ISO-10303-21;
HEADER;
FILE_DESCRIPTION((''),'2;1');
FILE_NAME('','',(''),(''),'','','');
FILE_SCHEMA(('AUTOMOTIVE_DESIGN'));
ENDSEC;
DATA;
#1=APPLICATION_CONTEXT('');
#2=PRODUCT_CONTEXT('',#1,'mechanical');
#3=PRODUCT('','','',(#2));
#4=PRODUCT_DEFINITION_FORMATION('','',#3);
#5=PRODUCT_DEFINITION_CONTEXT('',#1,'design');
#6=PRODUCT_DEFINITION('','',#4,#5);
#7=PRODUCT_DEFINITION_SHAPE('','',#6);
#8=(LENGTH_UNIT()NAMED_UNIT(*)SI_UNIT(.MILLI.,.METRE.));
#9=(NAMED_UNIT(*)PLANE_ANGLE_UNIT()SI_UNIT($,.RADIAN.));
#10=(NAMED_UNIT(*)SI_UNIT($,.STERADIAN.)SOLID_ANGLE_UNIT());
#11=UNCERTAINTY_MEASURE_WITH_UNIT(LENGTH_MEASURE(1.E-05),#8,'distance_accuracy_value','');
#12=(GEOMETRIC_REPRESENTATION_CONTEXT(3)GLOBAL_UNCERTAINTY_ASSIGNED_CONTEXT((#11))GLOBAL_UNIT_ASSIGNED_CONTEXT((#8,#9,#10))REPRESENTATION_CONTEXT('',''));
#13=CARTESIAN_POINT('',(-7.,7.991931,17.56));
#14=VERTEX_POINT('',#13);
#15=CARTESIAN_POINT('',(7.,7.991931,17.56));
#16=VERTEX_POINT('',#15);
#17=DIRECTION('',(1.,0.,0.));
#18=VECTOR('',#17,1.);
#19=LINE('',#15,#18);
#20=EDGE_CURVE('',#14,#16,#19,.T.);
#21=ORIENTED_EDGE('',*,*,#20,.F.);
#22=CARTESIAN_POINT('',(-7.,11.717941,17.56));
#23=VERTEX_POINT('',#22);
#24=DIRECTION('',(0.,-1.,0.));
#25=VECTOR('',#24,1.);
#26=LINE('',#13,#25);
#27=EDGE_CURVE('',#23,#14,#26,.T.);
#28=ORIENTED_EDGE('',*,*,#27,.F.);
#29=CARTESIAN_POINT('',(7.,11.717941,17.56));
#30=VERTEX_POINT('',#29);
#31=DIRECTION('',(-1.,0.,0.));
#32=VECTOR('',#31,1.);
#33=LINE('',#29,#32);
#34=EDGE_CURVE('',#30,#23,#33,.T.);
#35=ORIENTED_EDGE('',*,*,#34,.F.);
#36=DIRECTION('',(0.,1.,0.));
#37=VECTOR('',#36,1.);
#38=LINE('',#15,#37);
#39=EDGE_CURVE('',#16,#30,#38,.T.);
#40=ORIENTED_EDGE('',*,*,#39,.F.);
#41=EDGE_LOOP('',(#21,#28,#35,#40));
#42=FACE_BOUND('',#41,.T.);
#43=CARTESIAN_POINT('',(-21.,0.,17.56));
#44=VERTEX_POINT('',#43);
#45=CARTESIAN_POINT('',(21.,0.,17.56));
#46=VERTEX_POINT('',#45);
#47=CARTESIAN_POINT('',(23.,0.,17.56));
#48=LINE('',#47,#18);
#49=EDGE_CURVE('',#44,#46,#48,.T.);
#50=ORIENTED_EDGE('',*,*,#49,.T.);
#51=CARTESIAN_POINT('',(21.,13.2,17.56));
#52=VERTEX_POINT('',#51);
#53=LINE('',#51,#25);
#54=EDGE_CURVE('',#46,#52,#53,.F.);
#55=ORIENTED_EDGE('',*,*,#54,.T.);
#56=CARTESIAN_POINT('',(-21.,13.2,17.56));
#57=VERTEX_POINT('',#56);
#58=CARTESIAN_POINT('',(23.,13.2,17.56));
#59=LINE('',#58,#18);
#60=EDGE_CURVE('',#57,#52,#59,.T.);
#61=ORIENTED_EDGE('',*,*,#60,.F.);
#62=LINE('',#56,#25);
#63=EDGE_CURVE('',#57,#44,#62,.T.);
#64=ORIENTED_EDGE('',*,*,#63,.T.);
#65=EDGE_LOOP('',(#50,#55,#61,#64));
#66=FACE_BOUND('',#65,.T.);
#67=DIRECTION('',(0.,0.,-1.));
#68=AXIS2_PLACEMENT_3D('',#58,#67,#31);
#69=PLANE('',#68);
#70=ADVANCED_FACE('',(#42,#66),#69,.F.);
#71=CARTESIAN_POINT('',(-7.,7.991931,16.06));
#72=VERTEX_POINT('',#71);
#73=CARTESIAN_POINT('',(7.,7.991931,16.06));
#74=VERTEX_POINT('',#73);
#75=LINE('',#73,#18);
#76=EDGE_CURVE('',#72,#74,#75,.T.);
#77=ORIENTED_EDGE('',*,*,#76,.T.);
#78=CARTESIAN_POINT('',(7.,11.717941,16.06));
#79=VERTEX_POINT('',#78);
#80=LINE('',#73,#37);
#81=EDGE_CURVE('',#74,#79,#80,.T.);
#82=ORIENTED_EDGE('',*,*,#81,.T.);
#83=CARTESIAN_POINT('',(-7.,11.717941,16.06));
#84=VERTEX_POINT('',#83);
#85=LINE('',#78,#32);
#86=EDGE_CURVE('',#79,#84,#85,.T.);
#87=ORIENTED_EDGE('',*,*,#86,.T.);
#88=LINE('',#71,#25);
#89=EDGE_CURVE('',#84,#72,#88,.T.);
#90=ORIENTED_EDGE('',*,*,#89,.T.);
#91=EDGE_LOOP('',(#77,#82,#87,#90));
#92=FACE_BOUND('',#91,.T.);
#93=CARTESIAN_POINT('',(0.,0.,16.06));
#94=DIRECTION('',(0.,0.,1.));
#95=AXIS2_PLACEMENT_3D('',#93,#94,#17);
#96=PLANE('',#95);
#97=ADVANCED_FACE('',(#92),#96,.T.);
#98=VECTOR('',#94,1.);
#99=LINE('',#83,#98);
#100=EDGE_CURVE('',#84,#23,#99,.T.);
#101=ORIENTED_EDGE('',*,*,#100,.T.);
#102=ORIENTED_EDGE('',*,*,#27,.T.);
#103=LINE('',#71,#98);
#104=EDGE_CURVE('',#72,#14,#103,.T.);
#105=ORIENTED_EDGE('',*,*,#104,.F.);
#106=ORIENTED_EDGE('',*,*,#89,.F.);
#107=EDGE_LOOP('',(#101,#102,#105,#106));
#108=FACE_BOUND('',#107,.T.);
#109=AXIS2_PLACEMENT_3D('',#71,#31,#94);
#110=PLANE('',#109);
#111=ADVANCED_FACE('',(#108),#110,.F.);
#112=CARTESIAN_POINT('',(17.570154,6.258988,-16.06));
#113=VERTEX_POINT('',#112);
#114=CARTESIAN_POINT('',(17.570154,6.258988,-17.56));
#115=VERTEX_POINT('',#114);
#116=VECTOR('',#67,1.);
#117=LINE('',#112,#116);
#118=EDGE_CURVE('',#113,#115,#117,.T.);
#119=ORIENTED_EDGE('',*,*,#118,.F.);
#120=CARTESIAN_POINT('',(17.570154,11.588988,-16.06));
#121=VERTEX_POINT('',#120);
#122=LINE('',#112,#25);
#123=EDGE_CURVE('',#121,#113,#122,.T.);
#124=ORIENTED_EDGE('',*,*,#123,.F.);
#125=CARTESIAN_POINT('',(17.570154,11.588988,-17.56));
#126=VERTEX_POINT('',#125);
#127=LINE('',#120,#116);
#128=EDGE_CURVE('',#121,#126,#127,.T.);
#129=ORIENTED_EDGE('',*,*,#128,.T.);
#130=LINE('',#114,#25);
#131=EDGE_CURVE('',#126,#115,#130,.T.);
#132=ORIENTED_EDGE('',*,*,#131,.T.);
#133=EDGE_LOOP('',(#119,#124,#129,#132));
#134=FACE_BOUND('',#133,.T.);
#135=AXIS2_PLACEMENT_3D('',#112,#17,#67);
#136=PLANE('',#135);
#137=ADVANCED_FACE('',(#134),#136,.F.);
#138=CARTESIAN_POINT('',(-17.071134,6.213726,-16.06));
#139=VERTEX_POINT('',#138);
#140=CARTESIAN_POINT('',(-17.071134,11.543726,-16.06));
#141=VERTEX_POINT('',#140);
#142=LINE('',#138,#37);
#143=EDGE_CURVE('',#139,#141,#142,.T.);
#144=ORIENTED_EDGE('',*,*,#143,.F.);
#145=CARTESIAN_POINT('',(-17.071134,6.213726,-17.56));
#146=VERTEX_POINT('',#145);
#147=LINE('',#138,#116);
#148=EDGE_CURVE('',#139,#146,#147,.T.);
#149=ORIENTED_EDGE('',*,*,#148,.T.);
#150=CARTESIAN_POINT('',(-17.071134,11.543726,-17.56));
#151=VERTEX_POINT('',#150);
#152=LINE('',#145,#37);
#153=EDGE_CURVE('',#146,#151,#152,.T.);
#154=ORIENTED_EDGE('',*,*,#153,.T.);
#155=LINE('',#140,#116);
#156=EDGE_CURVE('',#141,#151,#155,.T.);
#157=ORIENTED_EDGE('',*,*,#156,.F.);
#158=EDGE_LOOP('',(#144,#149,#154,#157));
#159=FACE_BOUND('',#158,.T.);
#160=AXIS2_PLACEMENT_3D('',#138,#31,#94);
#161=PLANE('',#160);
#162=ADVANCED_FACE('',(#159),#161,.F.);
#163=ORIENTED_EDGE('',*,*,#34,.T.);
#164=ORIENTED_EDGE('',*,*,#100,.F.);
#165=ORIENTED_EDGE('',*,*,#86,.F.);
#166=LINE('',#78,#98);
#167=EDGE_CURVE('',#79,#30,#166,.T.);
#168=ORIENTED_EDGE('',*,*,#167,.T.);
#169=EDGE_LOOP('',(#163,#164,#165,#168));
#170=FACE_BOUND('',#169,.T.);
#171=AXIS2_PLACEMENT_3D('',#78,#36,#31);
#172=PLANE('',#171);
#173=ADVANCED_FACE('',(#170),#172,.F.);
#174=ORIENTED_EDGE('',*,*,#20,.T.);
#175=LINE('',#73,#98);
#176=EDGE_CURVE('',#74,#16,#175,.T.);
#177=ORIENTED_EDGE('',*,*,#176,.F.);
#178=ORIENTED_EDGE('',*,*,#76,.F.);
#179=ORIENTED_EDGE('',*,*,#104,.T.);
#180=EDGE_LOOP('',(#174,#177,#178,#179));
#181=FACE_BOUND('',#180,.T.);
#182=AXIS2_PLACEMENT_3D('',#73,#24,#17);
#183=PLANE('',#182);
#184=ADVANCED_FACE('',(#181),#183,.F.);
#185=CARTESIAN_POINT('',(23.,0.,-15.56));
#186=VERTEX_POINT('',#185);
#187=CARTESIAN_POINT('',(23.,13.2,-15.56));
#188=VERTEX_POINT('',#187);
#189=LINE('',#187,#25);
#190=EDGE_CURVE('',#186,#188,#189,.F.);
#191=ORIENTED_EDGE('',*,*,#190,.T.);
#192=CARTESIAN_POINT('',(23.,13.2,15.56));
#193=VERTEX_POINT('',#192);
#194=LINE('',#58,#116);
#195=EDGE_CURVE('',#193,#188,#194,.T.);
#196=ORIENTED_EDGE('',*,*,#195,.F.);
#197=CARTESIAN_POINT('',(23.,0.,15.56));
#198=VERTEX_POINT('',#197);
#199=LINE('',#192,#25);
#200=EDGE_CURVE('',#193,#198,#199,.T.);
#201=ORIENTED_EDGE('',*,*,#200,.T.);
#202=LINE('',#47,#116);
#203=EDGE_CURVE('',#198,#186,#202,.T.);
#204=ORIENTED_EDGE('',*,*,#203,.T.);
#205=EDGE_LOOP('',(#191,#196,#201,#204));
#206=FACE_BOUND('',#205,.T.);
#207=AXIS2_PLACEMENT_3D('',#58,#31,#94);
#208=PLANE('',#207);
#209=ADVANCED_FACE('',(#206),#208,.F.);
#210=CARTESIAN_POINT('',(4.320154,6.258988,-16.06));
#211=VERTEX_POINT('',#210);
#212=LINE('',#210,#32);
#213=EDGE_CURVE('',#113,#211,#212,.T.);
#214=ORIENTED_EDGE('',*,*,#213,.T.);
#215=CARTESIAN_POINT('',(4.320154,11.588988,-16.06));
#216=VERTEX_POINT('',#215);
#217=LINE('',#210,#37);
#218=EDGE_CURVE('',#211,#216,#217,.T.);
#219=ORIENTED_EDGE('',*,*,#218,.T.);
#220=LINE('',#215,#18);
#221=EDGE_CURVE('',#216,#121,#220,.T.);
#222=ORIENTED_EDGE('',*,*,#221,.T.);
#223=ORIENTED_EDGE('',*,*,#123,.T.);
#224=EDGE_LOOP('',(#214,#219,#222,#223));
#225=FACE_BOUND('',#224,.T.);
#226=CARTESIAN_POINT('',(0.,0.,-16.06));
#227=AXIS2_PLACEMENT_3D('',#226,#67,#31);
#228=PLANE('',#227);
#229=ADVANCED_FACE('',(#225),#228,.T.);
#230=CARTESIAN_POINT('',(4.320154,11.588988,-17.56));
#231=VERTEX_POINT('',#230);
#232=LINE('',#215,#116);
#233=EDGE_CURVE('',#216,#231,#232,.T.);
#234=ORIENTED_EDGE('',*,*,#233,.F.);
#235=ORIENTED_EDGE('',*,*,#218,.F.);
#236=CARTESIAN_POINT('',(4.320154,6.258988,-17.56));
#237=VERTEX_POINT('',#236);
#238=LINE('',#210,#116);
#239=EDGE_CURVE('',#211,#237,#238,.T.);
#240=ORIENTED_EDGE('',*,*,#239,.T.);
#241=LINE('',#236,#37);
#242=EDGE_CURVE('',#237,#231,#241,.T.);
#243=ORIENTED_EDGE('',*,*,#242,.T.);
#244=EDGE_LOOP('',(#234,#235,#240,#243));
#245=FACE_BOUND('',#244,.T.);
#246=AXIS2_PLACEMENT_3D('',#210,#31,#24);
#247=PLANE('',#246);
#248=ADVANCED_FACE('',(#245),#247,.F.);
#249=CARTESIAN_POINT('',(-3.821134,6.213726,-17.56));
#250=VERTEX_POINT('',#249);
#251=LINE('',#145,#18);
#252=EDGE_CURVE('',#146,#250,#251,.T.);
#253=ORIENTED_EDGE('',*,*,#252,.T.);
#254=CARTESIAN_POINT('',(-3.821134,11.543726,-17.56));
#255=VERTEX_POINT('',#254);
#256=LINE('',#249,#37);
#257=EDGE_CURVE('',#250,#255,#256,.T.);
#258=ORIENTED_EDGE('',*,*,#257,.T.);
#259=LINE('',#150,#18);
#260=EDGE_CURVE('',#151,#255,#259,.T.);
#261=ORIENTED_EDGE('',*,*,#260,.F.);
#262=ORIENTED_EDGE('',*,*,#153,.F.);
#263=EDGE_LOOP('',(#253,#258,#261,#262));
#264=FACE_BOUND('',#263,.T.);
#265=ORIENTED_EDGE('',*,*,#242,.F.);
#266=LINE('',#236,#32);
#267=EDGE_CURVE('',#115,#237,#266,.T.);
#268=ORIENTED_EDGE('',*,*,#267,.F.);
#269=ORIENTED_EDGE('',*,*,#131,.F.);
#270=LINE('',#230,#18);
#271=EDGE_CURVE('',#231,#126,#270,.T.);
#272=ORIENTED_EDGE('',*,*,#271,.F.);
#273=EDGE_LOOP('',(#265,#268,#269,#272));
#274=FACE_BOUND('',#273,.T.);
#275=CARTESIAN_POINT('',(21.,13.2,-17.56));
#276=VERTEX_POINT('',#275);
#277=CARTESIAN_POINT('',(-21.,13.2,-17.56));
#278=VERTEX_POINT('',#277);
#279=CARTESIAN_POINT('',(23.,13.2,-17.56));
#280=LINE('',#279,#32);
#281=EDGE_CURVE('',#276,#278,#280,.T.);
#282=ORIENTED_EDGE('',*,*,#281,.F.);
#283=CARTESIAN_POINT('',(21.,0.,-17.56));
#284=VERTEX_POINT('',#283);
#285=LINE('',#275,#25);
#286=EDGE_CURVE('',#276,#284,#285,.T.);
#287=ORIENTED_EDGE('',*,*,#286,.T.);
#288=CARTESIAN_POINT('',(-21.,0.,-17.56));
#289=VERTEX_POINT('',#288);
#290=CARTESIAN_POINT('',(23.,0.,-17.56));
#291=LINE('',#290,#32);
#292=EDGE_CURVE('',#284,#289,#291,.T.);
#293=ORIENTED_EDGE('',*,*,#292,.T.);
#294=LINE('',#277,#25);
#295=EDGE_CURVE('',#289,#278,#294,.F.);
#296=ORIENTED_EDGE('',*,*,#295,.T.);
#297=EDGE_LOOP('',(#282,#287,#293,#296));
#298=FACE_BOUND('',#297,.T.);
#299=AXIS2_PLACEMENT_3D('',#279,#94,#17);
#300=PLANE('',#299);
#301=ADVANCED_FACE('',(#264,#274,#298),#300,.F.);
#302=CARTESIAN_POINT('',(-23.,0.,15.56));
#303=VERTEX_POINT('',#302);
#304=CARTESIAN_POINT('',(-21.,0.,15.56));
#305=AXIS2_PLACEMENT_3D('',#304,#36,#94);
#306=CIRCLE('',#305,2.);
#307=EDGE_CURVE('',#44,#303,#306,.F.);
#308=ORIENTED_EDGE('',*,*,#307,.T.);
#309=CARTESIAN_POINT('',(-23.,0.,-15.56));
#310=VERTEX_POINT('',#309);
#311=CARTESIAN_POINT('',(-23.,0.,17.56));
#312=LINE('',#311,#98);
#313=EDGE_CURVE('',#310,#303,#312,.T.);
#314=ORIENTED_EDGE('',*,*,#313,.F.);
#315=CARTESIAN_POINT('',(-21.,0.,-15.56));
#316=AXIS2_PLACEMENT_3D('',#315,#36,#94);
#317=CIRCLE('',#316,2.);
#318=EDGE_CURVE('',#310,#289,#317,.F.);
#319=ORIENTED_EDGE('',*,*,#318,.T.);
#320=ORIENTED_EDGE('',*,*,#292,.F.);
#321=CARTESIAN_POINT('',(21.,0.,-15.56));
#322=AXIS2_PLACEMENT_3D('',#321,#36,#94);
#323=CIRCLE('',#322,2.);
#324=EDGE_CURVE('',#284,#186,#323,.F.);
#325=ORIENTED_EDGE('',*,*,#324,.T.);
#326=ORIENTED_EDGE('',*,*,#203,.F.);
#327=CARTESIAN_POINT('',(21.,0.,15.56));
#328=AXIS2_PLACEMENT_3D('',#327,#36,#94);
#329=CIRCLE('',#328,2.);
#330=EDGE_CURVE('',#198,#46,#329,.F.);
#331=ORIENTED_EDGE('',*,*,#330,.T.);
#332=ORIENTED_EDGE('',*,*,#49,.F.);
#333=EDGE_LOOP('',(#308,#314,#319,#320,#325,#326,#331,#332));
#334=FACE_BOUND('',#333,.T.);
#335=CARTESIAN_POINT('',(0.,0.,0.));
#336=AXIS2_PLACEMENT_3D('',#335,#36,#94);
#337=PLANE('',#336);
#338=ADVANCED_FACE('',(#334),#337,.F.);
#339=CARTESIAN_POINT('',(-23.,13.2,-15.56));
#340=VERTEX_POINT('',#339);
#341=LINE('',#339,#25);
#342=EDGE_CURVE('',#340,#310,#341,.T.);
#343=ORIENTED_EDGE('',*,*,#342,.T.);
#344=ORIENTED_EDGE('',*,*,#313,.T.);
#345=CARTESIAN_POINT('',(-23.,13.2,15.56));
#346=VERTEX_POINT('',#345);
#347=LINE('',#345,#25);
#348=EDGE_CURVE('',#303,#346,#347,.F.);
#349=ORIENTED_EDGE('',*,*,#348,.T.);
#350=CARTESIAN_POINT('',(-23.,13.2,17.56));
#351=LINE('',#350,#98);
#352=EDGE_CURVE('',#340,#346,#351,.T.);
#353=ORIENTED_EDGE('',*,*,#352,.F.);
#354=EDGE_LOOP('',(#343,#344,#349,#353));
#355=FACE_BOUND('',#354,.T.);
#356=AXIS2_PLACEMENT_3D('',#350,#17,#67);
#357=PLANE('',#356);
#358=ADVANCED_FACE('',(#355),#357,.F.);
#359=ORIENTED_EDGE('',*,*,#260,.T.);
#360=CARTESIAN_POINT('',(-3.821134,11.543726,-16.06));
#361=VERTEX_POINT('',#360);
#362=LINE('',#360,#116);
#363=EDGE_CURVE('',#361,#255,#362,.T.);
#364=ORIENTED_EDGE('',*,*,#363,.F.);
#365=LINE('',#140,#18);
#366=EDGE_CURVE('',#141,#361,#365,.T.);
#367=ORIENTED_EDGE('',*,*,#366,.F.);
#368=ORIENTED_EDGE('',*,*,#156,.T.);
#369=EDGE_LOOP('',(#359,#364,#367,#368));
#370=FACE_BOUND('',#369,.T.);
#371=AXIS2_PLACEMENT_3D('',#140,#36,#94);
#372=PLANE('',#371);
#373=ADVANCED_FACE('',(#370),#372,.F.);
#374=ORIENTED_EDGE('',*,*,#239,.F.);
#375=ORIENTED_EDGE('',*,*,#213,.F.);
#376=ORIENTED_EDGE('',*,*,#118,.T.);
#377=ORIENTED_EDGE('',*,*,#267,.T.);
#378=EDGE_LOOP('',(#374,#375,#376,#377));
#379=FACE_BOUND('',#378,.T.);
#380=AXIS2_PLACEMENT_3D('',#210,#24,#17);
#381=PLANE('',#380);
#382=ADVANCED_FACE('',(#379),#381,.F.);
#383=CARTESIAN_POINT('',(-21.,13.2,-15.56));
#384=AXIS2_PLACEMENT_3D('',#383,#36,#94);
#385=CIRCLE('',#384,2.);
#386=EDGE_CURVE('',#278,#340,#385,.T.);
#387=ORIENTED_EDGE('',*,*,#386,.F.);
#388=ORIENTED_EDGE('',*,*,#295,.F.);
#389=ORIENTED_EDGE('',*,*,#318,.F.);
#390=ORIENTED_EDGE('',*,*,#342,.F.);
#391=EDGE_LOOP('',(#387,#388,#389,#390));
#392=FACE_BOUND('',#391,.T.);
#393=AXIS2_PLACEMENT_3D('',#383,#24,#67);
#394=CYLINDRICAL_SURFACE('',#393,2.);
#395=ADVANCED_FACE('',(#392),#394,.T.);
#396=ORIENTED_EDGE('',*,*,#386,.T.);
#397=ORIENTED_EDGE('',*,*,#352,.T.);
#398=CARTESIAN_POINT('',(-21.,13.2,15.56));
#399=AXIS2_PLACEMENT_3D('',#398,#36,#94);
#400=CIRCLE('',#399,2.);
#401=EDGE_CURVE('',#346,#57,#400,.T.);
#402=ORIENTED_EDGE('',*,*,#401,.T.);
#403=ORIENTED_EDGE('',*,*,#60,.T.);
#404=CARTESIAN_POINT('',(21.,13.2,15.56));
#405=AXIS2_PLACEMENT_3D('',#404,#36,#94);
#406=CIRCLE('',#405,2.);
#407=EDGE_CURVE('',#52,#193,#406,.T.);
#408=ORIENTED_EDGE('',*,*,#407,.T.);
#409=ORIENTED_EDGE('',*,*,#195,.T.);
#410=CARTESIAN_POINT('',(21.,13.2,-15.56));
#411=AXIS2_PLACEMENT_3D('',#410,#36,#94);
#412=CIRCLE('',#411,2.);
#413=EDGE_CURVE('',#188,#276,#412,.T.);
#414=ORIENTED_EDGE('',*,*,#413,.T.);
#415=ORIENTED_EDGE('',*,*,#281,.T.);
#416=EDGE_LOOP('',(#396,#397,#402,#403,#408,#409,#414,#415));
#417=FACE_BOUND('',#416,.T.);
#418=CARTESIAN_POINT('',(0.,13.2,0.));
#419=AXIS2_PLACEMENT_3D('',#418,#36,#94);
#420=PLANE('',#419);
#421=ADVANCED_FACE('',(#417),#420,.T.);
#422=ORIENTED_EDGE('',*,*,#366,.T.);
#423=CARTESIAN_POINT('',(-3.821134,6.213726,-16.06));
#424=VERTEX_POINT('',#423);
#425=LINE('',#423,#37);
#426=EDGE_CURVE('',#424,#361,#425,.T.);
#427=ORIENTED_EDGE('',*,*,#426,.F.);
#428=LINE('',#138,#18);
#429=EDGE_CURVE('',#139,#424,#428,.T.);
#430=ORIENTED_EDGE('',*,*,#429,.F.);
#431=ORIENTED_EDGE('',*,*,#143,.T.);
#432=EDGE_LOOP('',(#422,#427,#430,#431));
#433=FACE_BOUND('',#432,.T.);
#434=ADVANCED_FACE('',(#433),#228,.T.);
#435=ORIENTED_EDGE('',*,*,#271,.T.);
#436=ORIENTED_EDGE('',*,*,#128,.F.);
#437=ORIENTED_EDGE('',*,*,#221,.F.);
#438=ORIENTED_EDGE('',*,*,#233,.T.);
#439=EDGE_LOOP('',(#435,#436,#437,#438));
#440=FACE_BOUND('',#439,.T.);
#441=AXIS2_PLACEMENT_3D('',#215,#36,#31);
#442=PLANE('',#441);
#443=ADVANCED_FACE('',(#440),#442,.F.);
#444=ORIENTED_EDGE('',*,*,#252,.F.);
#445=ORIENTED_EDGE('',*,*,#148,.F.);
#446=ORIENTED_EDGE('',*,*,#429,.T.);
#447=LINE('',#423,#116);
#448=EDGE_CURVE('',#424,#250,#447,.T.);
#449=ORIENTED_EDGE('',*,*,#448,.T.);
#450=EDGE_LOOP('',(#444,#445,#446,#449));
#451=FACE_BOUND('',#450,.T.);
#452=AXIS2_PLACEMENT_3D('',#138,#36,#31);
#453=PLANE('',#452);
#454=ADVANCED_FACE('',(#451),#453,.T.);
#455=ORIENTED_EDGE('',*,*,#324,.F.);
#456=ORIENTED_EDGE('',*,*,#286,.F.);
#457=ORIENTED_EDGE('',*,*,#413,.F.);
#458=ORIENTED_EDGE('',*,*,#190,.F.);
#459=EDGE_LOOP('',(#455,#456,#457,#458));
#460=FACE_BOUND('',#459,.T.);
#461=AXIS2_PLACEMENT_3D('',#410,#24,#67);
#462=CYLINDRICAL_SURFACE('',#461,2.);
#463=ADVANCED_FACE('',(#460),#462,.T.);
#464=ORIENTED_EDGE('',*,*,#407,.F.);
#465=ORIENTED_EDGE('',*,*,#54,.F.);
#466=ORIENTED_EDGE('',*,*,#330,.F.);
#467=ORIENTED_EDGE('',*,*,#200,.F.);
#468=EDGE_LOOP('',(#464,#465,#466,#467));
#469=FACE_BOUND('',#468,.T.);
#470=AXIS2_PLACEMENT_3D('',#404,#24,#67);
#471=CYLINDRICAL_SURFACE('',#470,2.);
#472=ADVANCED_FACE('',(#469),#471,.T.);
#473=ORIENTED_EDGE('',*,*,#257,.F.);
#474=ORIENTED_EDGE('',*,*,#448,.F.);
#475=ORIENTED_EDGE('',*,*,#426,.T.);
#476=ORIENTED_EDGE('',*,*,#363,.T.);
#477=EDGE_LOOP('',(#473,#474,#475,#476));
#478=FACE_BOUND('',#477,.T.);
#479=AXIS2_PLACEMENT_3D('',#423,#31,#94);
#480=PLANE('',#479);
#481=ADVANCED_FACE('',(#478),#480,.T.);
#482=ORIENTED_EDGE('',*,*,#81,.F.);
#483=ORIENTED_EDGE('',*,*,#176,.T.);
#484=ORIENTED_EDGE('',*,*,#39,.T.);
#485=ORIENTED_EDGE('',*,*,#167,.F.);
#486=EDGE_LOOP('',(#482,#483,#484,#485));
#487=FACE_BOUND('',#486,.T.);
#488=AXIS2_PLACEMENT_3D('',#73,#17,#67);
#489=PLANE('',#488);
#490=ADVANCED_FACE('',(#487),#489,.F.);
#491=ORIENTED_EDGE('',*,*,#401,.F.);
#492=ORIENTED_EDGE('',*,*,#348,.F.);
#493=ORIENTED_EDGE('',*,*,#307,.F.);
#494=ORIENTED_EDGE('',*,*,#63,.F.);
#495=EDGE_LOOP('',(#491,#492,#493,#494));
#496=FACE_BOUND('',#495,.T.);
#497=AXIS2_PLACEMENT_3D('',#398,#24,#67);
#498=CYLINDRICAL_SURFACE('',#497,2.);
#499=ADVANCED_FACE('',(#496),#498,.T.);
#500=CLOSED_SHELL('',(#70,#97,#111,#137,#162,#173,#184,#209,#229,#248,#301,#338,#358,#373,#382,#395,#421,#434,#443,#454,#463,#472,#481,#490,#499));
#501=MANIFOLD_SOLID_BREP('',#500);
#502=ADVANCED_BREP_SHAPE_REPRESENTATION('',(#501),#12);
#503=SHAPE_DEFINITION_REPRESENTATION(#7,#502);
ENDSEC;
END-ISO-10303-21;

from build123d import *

# Parameters (mm, degrees)
SKETCH1_W           = 46
SKETCH1_H           = 35.12
BOSS_EXTRUDE1_DEPTH = 13.2
SKETCH2_W           = 13.25
SKETCH2_H           = 5.33
CUT_EXTRUDE1_DEPTH  = 1.5
SKETCH5_W           = 13.25
SKETCH5_H           = 5.33
CUT_EXTRUDE2_DEPTH  = 1.5
SKETCH6_W           = 14
SKETCH6_H           = 3.726009738
CUT_EXTRUDE3_DEPTH  = 1.5
FILLET1_R           = 2


with BuildPart() as part:
    # Sketch1 → Boss-Extrude1 (new body)
    with BuildSketch(Plane(origin=(0, 0, 0), x_dir=(1, 0, 0), z_dir=(0, 1, 0))):
        Rectangle(SKETCH1_W, SKETCH1_H)
    extrude(amount=BOSS_EXTRUDE1_DEPTH)

    # Sketch2 → Cut-Extrude1 (cut)
    with BuildSketch(Plane(origin=(0, 0, -17.56), x_dir=(-1, 0, 0), z_dir=(0, 0, -1))):
        with Locations((-10.945153605, 8.923987955)):
            Rectangle(SKETCH2_W, SKETCH2_H)
    extrude(amount=-CUT_EXTRUDE1_DEPTH, mode=Mode.SUBTRACT)

    # Sketch5 → Cut-Extrude2 (cut)
    with BuildSketch(Plane(origin=(0, 0, -17.56), x_dir=(-1, 0, 0), z_dir=(0, 0, -1))):
        with Locations((10.446134444, 8.878725803)):
            Rectangle(SKETCH5_W, SKETCH5_H)
    extrude(amount=-CUT_EXTRUDE2_DEPTH, mode=Mode.SUBTRACT)

    # Sketch6 → Cut-Extrude3 (cut)
    with BuildSketch(Plane.XY.offset(17.56)):
        with Locations((0, 9.85493568)):
            Rectangle(SKETCH6_W, SKETCH6_H)
    extrude(amount=-CUT_EXTRUDE3_DEPTH, mode=Mode.SUBTRACT)

    # Fillet1
    fillet1_edges = [part.edges().sort_by_distance(p)[0] for p in [
        (-23, 6.6, -17.56),
        (23, 6.6, -17.56),
        (23, 6.6, 17.56),
        (-23, 6.6, 17.56),
    ]]
    fillet(fillet1_edges, radius=FILLET1_R)


solid = part.part
